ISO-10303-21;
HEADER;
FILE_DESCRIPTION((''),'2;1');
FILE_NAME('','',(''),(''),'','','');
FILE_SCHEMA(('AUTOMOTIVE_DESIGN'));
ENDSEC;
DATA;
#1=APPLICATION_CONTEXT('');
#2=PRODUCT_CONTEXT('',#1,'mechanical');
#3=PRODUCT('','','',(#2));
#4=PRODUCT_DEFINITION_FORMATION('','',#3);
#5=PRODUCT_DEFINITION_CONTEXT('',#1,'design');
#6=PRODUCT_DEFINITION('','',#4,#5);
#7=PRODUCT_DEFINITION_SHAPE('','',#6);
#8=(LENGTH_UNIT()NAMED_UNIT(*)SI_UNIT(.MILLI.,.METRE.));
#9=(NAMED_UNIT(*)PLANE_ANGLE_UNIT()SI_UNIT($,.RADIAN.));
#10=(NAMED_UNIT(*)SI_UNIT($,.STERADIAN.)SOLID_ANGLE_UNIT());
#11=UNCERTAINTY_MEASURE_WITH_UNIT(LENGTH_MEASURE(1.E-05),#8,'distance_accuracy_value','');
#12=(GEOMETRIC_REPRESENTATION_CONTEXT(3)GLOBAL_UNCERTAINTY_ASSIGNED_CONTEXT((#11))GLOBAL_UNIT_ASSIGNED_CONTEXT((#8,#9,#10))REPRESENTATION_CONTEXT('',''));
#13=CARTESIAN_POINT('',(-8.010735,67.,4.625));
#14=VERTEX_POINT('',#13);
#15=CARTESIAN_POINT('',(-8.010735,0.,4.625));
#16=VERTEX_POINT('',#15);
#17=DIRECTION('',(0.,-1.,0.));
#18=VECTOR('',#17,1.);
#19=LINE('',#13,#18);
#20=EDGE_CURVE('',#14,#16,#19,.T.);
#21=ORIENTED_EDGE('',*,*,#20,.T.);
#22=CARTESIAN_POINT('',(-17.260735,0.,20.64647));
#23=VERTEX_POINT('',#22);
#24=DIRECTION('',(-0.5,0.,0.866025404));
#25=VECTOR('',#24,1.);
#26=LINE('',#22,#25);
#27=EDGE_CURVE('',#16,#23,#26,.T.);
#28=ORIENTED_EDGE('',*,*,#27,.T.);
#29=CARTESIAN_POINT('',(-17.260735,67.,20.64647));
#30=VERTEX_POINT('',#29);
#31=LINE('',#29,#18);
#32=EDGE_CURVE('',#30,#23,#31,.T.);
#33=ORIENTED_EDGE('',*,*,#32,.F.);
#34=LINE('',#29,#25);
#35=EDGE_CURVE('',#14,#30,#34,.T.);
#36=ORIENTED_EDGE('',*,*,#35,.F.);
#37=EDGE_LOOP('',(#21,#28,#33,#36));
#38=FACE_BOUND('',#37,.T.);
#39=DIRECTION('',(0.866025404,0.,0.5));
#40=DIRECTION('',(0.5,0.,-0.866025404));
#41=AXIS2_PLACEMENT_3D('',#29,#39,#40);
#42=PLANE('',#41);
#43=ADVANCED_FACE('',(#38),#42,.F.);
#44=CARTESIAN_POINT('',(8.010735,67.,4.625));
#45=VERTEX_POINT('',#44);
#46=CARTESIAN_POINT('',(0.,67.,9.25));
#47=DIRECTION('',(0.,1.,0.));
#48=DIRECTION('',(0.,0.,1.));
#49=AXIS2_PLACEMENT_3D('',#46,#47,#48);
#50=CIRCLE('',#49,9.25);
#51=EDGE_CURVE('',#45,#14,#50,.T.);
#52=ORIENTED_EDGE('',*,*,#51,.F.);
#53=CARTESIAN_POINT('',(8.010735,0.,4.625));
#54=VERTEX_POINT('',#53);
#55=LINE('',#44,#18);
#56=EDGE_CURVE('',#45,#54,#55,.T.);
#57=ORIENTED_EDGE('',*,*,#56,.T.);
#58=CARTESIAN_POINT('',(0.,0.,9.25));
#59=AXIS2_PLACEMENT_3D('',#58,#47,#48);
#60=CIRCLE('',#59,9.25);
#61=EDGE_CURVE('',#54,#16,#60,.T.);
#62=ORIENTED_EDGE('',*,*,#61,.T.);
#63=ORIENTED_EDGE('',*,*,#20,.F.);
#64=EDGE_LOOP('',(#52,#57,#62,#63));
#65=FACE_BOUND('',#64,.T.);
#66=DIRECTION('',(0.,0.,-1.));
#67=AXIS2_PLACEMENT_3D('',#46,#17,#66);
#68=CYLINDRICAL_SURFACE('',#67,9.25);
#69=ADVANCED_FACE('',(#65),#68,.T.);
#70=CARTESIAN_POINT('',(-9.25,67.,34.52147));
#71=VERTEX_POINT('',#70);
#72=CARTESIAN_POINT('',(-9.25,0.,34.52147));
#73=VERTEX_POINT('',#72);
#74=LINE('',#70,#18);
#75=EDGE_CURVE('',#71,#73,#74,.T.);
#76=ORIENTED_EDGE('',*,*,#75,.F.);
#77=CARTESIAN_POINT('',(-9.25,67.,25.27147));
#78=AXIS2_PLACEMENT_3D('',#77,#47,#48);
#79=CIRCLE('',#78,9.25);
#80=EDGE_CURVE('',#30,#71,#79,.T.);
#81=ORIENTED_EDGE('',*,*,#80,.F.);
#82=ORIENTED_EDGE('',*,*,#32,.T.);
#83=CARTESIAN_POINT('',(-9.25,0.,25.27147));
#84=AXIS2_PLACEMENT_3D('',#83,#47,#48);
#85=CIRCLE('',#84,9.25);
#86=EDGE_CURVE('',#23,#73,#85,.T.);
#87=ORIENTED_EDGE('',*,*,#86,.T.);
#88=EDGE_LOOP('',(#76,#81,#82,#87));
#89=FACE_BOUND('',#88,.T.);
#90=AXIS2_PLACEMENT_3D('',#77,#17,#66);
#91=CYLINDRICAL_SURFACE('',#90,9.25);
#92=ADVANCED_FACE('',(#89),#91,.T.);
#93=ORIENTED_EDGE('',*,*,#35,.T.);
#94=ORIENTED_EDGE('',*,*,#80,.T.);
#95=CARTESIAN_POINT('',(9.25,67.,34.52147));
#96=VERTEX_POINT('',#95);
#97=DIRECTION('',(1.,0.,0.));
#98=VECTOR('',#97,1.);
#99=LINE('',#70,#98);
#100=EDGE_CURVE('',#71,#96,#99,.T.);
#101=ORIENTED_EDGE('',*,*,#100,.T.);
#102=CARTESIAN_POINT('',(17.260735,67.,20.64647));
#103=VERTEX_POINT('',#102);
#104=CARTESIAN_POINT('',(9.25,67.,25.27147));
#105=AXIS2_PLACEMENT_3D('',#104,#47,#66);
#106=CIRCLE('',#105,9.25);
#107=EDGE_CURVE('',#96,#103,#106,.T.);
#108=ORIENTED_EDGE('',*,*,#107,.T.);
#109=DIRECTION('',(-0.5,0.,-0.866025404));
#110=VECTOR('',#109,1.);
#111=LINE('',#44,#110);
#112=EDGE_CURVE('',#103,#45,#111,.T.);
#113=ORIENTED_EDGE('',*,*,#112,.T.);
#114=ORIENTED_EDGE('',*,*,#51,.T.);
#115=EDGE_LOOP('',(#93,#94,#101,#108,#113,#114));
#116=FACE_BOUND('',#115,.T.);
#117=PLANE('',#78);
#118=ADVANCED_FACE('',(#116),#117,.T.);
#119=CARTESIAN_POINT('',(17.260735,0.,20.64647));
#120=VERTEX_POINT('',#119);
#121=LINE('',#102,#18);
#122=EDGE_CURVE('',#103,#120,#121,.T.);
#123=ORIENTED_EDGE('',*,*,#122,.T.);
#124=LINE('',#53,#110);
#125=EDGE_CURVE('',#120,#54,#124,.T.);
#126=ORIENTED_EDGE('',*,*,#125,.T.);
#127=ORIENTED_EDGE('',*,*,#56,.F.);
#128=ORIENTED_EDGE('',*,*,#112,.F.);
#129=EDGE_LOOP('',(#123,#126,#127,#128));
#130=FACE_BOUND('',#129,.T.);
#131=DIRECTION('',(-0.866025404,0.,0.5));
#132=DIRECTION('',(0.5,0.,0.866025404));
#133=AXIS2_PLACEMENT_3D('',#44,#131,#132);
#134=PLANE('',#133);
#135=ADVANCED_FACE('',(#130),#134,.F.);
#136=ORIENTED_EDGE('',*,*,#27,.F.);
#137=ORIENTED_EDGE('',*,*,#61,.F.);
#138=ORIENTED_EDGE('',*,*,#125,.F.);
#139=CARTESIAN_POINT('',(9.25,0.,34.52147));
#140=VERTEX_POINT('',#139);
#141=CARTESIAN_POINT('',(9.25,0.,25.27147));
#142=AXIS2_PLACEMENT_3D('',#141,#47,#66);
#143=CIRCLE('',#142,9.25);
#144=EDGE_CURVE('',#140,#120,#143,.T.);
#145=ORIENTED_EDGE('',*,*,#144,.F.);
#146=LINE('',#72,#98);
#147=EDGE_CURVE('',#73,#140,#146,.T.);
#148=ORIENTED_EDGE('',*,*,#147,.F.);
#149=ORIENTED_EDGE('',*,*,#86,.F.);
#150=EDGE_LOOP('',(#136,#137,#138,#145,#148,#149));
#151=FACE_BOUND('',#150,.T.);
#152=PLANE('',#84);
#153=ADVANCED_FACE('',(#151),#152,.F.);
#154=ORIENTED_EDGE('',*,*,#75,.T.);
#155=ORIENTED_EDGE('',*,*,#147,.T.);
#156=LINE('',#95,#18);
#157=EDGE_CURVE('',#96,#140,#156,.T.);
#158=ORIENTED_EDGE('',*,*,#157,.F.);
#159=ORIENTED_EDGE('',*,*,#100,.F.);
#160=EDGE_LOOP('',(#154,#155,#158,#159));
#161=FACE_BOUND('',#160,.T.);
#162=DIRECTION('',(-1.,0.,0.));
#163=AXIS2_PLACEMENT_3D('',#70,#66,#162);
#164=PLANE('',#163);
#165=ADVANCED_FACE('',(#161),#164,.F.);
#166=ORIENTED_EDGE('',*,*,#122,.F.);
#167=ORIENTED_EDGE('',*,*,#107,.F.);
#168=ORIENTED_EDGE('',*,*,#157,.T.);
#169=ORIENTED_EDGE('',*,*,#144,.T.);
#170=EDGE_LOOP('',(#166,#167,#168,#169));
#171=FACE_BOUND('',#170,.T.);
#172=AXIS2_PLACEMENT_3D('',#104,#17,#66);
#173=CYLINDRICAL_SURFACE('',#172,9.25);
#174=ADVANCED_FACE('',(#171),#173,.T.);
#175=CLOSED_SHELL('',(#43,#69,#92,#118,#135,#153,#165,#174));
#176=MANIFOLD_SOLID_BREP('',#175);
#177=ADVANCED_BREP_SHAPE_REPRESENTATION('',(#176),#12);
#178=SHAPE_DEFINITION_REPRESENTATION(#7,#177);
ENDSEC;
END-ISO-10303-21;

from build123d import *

# Parameters (mm, degrees)
BOSS_EXTRUDE2_DEPTH = 67


with BuildPart() as part:
    # Sketch3 → Boss-Extrude2 (new body)
    with BuildSketch(Plane(origin=(0, 0, 0), x_dir=(1, 0, 0), z_dir=(0, 1, 0))):
        with BuildLine():
            Line((-9.25, -34.52146997), (9.25, -34.52146997))
            ThreePointArc((9.25, -34.52146997), (17.260734985, -29.89646997), (17.260734985, -20.64646997))
            Line((17.260734985, -20.64646997), (8.010734985, -4.625))
            ThreePointArc((8.010734985, -4.625), (0, 0), (-8.010734985, -4.625))
            Line((-8.010734985, -4.625), (-17.260734985, -20.64646997))
            ThreePointArc((-17.260734985, -20.64646997), (-17.260734985, -29.89646997), (-9.25, -34.52146997))
        make_face()
    extrude(amount=BOSS_EXTRUDE2_DEPTH)


solid = part.part
